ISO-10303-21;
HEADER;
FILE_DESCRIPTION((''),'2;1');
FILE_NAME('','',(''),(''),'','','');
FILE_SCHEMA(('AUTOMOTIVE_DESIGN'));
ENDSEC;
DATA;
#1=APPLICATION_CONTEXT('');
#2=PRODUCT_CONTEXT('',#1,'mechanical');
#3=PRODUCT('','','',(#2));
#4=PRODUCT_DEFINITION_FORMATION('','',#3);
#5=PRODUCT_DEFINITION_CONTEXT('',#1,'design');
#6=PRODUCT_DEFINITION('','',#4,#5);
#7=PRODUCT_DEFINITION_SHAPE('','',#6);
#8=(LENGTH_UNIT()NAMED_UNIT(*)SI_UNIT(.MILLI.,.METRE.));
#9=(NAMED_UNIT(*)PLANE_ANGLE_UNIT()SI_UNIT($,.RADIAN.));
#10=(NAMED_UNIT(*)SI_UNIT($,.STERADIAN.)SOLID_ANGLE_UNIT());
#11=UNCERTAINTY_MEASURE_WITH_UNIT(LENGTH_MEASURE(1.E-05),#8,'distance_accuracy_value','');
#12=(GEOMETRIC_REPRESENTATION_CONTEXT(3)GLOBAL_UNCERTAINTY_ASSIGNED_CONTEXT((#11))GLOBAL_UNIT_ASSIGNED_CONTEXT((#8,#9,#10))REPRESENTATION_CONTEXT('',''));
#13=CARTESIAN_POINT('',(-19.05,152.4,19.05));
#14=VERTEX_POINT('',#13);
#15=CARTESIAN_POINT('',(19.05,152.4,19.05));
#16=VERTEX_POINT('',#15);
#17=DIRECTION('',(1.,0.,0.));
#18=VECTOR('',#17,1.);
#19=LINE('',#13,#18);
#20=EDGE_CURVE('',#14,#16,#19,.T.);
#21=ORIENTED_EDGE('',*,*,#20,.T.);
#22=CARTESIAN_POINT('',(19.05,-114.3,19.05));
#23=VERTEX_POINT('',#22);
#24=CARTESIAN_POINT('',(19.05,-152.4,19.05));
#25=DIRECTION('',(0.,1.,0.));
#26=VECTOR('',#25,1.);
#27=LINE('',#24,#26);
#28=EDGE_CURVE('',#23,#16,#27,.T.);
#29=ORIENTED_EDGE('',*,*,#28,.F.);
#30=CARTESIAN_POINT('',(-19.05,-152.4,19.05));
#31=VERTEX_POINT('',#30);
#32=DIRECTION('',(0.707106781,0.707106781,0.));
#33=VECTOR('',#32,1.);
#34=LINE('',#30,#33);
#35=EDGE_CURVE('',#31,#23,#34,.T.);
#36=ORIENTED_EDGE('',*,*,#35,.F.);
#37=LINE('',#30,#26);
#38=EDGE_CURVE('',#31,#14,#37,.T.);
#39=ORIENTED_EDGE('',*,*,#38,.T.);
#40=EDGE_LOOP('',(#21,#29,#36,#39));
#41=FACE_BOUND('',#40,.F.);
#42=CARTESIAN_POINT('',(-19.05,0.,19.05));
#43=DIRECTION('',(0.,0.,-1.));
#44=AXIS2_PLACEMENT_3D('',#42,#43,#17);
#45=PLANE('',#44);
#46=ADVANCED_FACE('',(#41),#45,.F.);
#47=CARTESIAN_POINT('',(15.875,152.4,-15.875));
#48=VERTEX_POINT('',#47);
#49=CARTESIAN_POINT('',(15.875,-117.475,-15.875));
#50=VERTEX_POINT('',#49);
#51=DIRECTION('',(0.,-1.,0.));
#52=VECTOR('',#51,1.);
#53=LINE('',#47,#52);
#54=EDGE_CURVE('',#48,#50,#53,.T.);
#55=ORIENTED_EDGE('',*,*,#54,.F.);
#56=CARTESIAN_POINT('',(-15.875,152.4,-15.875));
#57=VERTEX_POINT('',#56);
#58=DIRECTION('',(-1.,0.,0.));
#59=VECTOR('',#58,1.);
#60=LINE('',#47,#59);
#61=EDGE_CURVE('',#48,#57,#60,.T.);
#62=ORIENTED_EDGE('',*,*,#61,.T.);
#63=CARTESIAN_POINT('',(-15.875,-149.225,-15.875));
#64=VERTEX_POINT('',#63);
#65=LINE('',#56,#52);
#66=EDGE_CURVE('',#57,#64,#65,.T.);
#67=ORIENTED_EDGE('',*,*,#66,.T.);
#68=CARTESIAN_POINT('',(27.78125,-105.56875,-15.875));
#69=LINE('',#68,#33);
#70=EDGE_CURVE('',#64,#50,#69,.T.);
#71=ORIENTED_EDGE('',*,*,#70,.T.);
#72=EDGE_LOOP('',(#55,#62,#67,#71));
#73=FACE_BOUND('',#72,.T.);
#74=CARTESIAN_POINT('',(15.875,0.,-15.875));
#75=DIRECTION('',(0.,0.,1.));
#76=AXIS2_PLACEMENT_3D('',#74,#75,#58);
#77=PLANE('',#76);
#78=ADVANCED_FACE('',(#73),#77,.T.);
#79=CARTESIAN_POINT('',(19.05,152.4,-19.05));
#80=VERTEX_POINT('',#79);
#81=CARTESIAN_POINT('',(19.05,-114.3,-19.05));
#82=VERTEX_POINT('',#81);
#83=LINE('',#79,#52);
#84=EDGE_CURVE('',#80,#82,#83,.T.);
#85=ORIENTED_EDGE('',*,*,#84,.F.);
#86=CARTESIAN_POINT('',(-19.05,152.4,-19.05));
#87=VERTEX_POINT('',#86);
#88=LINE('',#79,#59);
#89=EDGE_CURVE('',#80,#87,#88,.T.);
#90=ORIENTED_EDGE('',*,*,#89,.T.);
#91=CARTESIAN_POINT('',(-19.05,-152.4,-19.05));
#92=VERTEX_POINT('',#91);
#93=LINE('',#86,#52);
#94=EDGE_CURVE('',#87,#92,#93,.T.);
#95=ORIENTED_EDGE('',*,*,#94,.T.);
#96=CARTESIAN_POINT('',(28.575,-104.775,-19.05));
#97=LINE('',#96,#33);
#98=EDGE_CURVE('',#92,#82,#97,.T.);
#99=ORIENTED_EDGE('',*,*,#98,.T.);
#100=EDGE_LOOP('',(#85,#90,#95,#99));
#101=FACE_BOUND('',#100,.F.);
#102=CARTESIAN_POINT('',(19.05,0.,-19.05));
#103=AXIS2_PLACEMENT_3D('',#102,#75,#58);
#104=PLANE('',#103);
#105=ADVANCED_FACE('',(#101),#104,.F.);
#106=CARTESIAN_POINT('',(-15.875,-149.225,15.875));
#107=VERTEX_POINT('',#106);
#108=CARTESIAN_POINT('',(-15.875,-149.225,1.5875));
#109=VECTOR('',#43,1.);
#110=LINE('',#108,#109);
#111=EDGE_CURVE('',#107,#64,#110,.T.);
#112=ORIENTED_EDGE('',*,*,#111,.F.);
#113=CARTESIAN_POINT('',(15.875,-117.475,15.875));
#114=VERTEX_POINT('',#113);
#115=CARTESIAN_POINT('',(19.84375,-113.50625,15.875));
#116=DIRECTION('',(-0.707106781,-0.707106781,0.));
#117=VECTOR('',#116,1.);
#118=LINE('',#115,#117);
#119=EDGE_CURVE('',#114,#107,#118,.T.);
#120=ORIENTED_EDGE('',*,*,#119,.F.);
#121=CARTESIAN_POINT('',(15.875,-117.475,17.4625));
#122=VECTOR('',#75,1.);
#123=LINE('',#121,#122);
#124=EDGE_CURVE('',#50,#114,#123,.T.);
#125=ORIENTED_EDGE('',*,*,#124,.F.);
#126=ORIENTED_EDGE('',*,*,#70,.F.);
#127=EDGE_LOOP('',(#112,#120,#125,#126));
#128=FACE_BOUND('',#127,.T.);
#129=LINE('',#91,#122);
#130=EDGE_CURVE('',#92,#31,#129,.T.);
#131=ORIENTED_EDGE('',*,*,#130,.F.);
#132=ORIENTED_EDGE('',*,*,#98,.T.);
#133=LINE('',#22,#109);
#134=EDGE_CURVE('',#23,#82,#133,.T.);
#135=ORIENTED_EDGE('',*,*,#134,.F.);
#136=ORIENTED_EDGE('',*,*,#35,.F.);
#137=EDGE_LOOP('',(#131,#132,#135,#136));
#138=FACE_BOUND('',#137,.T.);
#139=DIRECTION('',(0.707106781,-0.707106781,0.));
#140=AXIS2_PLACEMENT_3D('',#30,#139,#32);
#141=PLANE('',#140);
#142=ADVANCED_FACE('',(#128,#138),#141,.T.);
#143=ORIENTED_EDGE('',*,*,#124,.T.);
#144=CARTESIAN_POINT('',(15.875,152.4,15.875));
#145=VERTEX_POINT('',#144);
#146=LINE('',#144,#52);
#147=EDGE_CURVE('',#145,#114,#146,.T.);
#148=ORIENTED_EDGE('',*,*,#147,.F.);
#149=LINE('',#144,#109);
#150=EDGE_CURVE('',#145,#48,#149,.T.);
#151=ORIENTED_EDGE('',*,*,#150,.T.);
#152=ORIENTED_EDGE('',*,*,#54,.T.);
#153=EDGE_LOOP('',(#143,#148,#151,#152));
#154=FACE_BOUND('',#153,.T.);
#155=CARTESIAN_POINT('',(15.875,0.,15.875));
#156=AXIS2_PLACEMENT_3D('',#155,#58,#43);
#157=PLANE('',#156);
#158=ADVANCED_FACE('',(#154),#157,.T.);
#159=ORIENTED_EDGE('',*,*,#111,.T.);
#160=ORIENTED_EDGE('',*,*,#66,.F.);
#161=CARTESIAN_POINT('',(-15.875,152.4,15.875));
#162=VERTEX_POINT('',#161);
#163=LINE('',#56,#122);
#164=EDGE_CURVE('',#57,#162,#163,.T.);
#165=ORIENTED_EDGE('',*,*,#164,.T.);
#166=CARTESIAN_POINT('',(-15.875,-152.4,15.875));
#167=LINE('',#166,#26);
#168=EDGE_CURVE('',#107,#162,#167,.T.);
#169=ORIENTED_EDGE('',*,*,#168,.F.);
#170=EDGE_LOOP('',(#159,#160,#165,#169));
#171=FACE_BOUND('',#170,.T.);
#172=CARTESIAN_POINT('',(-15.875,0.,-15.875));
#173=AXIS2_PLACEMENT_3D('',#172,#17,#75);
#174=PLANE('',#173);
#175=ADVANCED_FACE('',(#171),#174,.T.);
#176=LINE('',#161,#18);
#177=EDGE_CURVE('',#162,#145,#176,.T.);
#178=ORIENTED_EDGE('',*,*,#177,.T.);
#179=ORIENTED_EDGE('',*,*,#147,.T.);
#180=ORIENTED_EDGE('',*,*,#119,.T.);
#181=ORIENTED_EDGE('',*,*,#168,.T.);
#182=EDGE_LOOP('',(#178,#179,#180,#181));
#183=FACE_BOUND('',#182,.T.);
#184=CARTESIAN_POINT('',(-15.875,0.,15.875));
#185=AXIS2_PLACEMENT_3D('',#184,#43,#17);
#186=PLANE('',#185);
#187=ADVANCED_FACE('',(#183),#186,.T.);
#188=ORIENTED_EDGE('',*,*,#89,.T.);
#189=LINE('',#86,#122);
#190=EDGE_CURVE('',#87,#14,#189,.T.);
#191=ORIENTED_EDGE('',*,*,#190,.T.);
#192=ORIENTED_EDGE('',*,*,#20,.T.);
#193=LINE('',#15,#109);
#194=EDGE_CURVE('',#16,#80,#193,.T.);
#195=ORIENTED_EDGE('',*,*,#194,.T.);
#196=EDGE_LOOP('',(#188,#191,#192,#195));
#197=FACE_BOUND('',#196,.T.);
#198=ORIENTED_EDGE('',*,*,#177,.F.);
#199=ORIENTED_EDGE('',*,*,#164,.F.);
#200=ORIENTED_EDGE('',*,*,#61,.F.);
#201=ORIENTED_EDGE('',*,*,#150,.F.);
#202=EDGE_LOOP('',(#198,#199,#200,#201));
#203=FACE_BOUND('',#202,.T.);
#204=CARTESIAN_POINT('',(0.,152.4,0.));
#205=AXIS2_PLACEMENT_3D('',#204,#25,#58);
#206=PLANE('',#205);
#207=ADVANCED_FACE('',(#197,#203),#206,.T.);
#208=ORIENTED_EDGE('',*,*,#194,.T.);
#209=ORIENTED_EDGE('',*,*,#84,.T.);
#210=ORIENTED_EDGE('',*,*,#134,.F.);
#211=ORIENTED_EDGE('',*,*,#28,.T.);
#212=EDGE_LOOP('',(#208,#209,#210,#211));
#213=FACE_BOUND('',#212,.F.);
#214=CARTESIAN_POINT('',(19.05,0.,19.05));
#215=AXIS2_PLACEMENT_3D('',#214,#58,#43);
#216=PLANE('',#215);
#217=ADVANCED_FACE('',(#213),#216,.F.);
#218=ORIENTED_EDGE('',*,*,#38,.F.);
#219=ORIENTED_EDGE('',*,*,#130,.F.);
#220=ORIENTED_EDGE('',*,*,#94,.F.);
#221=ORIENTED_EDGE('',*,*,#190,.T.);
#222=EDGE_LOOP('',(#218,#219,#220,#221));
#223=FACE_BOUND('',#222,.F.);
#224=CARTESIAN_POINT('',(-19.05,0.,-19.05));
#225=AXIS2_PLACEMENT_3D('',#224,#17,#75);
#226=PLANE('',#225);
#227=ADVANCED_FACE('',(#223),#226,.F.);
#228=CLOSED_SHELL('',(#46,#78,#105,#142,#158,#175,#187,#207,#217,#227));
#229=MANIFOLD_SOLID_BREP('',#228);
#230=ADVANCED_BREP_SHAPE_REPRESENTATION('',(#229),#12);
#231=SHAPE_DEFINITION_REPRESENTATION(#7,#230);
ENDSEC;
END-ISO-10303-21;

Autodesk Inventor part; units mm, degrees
ref_plane "YZ Plane" through (0, 0, 0) normal (1, 0, 0) x (0, 1, 0)
ref_plane "XZ Plane" through (0, 0, 0) normal (0, 1, 0) x (-1, 0, 0)
ref_plane "XY Plane" through (0, 0, 0) normal (0, 0, 1) x (1, 0, 0)
sketch "Sketch1" plane through (0, 0, 0) normal (0, 1, 0) x (-1, 0, 0)
  line L0 (19.05, 19.05) -> (-19.05, 19.05)
  line L1 (-19.05, 19.05) -> (-19.05, -19.05)
  line L2 (-19.05, -19.05) -> (19.05, -19.05)
  line L3 (19.05, -19.05) -> (19.05, 19.05)
  line L4 (19.05, 19.05) -> (-19.05, -19.05) construction
  line L5 (-19.05, 19.05) -> (19.05, -19.05) construction
  line L6 (15.875, 15.875) -> (-15.875, 15.875)
  line L7 (-15.875, 15.875) -> (-15.875, -15.875)
  line L8 (-15.875, -15.875) -> (15.875, -15.875)
  line L9 (15.875, -15.875) -> (15.875, 15.875)
  line L10 (15.875, 15.875) -> (-15.875, -15.875) construction
  line L11 (-15.875, 15.875) -> (15.875, -15.875) construction
  point P0 (0, 0)
  dimension "d0" = 38.1
  dimension "d1" = 38.1
  dimension "d2" = 3.175
  dimension "d3" = 3.175
extrude "Extrusion1" add sketch "Sketch1" along normal mid plane 304.8
sketch "Sketch2" plane through (-19.05, 152.4, 19.05) normal (0, 0, 1) x (1, 0, 0)
  line L0 (38.1, -304.8) -> (0, -304.8) projected
  line L1 (0, -304.8) -> (38.1, -266.7)
  line L2 (38.1, -304.8) -> (0, -304.8)
  line L3 (38.1, -304.8) -> (38.1, 0) projected
  line L4 (38.1, -304.8) -> (38.1, -266.7)
  point P0 (19.05, -152.4)
  dimension "d6" = 45
extrude "Extrusion2" cut sketch "Sketch2" against normal through all
properties part number "outsideMotorBracket" material "Aluminum 6061, Welded"
